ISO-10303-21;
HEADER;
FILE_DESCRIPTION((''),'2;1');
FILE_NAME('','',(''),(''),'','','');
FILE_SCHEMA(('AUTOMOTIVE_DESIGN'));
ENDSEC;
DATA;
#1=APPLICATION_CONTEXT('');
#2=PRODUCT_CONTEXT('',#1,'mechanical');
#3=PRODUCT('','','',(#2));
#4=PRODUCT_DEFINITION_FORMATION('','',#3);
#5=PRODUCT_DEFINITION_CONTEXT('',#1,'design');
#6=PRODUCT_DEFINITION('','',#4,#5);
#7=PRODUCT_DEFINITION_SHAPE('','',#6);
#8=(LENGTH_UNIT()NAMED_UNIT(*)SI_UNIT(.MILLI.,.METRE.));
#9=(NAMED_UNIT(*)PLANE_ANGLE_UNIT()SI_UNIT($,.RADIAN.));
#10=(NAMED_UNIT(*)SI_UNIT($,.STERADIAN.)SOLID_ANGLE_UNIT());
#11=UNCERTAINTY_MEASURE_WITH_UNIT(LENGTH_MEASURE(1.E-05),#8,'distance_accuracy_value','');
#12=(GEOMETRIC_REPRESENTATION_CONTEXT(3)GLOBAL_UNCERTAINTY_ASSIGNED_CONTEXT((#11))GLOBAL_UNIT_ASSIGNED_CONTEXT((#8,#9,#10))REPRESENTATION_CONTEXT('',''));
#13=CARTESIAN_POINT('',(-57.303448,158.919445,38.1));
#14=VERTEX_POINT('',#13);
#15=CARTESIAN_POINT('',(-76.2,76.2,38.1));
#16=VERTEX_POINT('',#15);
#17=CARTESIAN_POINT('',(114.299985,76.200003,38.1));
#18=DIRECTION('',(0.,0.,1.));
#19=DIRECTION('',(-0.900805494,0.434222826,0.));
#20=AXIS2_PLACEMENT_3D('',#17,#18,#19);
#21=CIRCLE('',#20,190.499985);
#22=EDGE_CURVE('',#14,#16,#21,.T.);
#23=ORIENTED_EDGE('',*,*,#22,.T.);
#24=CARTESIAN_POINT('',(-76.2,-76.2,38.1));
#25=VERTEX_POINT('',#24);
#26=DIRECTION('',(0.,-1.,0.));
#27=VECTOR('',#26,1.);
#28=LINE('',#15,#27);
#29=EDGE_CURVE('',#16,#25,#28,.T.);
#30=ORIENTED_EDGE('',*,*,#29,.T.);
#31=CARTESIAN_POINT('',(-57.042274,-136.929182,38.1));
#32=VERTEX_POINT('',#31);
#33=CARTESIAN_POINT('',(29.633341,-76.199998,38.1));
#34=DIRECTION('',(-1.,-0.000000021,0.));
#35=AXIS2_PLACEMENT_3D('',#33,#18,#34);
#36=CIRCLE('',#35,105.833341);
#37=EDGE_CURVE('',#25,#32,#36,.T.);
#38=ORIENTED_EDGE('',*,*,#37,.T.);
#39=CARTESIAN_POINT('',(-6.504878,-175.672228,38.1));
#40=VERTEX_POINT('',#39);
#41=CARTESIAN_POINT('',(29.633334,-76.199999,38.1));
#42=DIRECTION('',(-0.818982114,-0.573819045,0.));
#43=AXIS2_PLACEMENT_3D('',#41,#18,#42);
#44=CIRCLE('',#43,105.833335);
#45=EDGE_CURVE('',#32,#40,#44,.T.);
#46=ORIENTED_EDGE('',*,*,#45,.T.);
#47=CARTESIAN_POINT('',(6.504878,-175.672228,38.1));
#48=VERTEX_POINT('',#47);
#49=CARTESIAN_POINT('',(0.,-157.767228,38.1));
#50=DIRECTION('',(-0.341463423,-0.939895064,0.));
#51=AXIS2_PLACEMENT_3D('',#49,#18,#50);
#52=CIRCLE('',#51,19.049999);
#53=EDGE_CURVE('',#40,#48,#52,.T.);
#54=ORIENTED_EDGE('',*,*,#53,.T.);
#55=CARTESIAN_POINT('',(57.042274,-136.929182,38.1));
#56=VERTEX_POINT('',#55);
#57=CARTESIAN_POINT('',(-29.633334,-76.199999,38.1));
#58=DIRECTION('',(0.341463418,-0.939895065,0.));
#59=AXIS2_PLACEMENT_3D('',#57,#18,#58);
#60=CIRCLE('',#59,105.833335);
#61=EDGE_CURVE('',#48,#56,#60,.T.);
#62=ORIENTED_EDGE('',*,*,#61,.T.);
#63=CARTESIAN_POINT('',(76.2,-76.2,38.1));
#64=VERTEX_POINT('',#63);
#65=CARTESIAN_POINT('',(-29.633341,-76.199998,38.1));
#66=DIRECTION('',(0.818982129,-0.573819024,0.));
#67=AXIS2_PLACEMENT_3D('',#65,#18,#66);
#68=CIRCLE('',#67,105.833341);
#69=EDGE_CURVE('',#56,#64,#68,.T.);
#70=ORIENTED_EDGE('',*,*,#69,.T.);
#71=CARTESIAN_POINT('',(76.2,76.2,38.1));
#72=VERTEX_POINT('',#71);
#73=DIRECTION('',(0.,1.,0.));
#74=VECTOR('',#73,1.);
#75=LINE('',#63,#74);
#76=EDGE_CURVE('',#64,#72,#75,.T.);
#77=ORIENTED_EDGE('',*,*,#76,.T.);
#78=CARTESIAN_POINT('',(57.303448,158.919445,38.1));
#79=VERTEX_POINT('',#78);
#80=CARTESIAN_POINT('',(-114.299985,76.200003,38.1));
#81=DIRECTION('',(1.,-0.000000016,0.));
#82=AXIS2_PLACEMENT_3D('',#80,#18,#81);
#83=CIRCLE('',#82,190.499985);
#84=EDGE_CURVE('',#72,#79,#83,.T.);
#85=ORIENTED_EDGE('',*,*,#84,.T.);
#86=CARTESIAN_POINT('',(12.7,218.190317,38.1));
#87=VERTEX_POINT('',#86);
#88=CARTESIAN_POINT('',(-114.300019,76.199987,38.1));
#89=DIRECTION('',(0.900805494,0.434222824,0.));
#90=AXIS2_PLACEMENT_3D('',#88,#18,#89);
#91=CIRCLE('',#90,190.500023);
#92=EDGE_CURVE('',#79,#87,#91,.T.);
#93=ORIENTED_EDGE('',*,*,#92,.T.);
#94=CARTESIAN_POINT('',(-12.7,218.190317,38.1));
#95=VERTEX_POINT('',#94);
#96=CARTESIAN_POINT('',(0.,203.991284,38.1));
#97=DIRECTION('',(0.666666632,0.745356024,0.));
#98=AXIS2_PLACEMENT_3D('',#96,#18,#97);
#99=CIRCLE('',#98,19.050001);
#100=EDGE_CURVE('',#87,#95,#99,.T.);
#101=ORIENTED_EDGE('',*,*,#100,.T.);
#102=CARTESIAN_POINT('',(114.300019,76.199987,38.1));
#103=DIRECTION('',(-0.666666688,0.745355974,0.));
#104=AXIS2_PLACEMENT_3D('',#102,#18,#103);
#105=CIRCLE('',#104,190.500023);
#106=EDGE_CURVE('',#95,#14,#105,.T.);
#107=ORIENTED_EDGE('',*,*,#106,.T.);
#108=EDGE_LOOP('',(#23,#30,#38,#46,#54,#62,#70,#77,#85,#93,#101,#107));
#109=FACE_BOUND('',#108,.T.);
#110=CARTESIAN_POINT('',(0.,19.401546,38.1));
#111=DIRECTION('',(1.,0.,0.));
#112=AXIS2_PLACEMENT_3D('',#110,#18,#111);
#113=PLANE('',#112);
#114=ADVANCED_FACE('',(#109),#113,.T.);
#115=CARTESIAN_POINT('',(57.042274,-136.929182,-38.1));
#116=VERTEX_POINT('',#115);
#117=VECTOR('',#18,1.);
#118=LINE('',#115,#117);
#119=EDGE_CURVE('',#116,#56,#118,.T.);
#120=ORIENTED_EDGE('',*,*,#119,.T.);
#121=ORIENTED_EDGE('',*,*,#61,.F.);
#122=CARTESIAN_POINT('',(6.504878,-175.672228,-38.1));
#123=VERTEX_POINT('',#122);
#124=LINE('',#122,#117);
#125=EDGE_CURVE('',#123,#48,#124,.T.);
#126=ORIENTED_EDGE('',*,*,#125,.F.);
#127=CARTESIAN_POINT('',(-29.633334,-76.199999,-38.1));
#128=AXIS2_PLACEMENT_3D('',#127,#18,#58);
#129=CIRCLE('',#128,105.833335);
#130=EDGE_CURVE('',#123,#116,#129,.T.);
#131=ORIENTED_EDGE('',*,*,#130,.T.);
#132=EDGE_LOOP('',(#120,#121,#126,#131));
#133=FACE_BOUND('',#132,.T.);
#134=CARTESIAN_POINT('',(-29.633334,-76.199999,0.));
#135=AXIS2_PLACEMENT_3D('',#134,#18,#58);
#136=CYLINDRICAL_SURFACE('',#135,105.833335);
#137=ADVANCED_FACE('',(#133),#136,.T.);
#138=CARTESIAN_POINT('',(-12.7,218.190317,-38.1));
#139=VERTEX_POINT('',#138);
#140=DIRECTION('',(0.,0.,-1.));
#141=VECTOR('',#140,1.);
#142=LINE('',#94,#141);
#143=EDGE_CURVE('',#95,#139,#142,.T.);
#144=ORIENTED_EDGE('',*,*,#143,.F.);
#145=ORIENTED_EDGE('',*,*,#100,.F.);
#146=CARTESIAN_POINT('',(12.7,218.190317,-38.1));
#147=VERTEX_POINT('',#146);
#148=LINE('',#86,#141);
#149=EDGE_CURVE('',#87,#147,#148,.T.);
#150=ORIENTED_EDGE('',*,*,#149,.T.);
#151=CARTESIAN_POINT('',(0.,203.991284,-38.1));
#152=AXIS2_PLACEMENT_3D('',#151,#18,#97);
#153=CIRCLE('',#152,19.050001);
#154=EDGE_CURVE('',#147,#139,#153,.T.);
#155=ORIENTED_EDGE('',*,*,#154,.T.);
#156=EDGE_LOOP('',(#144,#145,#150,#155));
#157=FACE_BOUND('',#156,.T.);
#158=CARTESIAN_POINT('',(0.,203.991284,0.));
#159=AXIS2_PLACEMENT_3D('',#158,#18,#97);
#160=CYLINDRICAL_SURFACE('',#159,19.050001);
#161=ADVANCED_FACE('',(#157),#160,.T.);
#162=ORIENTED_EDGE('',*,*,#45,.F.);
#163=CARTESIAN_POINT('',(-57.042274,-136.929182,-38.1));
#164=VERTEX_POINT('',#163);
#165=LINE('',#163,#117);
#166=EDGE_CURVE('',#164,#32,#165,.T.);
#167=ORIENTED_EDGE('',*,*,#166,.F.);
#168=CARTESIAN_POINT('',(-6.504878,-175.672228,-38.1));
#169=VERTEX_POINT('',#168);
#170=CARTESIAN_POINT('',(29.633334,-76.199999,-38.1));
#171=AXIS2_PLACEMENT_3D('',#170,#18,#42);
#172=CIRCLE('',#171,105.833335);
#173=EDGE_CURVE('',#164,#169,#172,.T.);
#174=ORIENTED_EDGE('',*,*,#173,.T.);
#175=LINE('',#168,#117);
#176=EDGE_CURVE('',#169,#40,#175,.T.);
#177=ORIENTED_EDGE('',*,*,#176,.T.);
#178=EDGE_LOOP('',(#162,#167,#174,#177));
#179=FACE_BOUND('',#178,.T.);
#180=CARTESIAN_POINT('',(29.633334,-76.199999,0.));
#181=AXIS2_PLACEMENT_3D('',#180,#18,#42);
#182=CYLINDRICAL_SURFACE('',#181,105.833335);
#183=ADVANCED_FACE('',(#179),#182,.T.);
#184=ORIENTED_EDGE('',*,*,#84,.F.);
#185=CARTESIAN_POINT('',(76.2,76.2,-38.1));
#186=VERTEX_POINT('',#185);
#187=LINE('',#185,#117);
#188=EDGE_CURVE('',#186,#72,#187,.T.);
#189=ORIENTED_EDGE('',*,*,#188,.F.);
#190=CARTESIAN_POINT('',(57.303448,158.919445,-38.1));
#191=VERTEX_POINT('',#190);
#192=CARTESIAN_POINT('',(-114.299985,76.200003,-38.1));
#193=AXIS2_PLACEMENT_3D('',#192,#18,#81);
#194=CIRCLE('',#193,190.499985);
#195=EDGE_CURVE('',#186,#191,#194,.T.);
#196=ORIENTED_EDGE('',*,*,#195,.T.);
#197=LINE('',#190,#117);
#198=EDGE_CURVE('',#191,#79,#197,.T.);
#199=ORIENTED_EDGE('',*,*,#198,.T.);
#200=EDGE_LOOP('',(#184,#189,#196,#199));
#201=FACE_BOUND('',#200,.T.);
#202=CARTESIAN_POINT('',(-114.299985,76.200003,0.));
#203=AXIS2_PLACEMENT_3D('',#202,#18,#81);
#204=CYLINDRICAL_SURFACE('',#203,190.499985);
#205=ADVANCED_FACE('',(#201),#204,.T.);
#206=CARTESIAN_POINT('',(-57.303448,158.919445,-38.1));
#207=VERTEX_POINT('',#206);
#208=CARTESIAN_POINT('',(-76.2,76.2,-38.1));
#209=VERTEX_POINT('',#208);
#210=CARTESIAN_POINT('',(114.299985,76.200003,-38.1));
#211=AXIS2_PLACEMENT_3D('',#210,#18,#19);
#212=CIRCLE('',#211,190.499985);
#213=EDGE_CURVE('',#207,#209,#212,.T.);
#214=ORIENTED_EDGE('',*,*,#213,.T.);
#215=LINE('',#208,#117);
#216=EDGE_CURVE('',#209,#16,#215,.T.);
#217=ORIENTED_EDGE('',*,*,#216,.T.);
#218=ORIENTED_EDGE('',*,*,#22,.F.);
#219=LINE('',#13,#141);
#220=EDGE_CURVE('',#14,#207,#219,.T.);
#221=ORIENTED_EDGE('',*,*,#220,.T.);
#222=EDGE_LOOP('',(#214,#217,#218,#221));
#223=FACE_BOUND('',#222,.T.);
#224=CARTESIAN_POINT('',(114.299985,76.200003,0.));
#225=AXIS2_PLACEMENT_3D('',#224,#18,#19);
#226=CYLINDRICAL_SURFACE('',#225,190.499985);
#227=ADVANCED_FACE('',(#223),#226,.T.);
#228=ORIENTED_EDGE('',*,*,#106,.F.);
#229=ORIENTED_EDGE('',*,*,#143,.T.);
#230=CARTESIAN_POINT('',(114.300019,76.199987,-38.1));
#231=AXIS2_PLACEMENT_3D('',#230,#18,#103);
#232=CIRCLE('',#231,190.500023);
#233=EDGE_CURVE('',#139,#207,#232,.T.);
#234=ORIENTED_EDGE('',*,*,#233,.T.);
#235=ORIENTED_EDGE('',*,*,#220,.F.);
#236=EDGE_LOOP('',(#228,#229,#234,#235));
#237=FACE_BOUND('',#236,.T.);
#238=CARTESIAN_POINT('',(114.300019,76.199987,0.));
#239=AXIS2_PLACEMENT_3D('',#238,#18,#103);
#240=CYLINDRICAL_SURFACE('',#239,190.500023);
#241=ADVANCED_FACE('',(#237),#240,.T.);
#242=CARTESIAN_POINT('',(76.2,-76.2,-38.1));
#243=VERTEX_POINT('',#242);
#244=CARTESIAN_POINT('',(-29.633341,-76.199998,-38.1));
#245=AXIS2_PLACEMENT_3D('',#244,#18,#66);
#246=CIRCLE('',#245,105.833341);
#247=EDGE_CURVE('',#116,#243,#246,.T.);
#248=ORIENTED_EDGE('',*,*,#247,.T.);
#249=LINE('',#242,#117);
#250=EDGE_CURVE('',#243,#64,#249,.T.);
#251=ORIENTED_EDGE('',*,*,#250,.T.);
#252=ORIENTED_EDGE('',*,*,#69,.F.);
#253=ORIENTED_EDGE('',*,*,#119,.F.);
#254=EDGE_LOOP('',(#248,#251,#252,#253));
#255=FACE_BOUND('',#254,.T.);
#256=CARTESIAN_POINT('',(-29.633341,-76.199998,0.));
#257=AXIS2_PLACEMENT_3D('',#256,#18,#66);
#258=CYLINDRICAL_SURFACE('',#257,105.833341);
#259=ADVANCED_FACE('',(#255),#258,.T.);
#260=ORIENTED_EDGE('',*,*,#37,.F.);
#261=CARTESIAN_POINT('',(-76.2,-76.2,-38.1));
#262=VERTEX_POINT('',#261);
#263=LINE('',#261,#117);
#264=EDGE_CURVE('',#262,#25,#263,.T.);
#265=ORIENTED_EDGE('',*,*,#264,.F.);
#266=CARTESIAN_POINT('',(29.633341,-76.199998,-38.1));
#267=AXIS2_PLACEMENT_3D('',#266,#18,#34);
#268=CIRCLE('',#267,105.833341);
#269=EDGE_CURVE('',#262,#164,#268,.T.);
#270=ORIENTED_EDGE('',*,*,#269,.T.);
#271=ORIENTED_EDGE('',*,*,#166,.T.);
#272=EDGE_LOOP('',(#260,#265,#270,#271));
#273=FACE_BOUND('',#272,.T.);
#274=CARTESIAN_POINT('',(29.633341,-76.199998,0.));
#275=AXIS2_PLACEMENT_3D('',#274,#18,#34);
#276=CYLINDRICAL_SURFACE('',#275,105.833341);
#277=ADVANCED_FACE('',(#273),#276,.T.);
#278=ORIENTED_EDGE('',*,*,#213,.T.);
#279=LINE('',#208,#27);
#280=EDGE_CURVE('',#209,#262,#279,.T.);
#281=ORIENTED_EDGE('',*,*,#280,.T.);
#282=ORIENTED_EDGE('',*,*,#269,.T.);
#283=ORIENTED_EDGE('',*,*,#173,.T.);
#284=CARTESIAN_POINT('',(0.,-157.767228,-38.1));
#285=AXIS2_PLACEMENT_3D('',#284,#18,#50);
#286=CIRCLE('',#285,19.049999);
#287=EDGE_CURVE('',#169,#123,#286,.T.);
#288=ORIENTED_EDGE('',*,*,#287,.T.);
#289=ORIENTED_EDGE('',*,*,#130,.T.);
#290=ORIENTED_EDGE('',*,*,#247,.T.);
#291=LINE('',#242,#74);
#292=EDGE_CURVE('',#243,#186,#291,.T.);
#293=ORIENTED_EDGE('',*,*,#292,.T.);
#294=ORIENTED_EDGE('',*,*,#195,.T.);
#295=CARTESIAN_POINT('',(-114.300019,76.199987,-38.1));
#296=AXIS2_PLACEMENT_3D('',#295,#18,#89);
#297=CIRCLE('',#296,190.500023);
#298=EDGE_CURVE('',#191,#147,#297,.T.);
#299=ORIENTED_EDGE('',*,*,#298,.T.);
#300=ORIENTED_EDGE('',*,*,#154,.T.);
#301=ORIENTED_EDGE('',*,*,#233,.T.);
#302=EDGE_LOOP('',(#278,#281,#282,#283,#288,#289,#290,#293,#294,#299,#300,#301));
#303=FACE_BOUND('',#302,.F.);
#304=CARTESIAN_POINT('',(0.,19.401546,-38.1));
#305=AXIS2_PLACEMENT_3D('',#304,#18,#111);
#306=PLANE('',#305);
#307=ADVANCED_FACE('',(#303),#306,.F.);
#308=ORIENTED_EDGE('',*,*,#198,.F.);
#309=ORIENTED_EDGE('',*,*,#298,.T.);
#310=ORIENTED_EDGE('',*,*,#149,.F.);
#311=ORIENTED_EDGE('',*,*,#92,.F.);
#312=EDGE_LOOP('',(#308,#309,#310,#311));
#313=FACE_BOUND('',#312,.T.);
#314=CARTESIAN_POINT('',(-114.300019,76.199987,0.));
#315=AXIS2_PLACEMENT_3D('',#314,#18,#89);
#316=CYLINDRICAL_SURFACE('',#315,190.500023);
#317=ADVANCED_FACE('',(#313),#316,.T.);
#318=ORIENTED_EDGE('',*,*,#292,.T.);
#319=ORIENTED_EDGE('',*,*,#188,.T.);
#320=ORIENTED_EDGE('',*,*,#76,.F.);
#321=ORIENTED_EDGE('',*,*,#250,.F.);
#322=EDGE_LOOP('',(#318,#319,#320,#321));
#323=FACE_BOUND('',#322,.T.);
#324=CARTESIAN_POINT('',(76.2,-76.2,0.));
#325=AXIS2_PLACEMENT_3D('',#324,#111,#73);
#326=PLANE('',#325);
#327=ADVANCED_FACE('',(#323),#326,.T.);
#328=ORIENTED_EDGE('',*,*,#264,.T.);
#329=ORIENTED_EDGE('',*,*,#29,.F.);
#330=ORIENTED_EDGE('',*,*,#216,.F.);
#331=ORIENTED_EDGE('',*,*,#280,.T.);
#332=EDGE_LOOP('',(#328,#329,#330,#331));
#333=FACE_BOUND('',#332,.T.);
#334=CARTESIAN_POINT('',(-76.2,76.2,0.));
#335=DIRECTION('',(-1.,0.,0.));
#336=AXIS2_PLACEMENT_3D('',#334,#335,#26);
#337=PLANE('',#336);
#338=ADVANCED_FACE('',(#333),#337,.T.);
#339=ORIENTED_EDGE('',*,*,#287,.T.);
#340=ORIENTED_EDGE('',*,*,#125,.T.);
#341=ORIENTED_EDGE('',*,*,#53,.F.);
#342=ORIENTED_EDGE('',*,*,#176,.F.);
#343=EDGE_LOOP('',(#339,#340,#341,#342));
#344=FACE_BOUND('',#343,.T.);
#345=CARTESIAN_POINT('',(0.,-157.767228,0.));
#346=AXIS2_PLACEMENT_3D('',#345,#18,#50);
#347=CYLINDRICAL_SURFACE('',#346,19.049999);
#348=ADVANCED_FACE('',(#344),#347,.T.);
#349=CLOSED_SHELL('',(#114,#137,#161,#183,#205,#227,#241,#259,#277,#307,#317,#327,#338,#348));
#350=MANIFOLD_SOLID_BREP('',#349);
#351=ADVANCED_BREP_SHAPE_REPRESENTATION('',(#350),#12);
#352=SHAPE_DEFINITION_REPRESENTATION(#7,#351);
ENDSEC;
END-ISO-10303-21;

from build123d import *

# Parameters (mm, degrees)
F1_DEPTH = 38.1


with BuildPart() as f1:
    # F0 (on Top) → F1 (new body, symmetric)
    with BuildSketch(Plane.XY):
        with BuildLine():
            ThreePointArc((-57.303448, 158.919445), (-71.415787, 118.625188), (-76.2, 76.2))
            Line((-76.2, 76.2), (-76.2, -76.2))
            ThreePointArc((-76.2, -76.2), (-71.296996, -108.039645), (-57.042274, -136.929182))
            ThreePointArc((-57.042274, -136.929182), (-34.756607, -160.191845), (-6.504878, -175.672228))
            ThreePointArc((-6.504878, -175.672228), (0, -176.817227), (6.504878, -175.672228))
            ThreePointArc((6.504878, -175.672228), (34.756607, -160.191845), (57.042274, -136.929182))
            ThreePointArc((57.042274, -136.929182), (71.296996, -108.039645), (76.2, -76.2))
            Line((76.2, -76.2), (76.2, 76.2))
            ThreePointArc((76.2, 76.2), (71.415787, 118.625188), (57.303448, 158.919445))
            ThreePointArc((57.303448, 158.919445), (37.914532, 190.746873), (12.7, 218.190317))
            ThreePointArc((12.7, 218.190317), (0, 223.041285), (-12.7, 218.190317))
            ThreePointArc((-12.7, 218.190317), (-37.914532, 190.746873), (-57.303448, 158.919445))
        make_face()
    extrude(amount=F1_DEPTH, both=True)


solid = f1.part
